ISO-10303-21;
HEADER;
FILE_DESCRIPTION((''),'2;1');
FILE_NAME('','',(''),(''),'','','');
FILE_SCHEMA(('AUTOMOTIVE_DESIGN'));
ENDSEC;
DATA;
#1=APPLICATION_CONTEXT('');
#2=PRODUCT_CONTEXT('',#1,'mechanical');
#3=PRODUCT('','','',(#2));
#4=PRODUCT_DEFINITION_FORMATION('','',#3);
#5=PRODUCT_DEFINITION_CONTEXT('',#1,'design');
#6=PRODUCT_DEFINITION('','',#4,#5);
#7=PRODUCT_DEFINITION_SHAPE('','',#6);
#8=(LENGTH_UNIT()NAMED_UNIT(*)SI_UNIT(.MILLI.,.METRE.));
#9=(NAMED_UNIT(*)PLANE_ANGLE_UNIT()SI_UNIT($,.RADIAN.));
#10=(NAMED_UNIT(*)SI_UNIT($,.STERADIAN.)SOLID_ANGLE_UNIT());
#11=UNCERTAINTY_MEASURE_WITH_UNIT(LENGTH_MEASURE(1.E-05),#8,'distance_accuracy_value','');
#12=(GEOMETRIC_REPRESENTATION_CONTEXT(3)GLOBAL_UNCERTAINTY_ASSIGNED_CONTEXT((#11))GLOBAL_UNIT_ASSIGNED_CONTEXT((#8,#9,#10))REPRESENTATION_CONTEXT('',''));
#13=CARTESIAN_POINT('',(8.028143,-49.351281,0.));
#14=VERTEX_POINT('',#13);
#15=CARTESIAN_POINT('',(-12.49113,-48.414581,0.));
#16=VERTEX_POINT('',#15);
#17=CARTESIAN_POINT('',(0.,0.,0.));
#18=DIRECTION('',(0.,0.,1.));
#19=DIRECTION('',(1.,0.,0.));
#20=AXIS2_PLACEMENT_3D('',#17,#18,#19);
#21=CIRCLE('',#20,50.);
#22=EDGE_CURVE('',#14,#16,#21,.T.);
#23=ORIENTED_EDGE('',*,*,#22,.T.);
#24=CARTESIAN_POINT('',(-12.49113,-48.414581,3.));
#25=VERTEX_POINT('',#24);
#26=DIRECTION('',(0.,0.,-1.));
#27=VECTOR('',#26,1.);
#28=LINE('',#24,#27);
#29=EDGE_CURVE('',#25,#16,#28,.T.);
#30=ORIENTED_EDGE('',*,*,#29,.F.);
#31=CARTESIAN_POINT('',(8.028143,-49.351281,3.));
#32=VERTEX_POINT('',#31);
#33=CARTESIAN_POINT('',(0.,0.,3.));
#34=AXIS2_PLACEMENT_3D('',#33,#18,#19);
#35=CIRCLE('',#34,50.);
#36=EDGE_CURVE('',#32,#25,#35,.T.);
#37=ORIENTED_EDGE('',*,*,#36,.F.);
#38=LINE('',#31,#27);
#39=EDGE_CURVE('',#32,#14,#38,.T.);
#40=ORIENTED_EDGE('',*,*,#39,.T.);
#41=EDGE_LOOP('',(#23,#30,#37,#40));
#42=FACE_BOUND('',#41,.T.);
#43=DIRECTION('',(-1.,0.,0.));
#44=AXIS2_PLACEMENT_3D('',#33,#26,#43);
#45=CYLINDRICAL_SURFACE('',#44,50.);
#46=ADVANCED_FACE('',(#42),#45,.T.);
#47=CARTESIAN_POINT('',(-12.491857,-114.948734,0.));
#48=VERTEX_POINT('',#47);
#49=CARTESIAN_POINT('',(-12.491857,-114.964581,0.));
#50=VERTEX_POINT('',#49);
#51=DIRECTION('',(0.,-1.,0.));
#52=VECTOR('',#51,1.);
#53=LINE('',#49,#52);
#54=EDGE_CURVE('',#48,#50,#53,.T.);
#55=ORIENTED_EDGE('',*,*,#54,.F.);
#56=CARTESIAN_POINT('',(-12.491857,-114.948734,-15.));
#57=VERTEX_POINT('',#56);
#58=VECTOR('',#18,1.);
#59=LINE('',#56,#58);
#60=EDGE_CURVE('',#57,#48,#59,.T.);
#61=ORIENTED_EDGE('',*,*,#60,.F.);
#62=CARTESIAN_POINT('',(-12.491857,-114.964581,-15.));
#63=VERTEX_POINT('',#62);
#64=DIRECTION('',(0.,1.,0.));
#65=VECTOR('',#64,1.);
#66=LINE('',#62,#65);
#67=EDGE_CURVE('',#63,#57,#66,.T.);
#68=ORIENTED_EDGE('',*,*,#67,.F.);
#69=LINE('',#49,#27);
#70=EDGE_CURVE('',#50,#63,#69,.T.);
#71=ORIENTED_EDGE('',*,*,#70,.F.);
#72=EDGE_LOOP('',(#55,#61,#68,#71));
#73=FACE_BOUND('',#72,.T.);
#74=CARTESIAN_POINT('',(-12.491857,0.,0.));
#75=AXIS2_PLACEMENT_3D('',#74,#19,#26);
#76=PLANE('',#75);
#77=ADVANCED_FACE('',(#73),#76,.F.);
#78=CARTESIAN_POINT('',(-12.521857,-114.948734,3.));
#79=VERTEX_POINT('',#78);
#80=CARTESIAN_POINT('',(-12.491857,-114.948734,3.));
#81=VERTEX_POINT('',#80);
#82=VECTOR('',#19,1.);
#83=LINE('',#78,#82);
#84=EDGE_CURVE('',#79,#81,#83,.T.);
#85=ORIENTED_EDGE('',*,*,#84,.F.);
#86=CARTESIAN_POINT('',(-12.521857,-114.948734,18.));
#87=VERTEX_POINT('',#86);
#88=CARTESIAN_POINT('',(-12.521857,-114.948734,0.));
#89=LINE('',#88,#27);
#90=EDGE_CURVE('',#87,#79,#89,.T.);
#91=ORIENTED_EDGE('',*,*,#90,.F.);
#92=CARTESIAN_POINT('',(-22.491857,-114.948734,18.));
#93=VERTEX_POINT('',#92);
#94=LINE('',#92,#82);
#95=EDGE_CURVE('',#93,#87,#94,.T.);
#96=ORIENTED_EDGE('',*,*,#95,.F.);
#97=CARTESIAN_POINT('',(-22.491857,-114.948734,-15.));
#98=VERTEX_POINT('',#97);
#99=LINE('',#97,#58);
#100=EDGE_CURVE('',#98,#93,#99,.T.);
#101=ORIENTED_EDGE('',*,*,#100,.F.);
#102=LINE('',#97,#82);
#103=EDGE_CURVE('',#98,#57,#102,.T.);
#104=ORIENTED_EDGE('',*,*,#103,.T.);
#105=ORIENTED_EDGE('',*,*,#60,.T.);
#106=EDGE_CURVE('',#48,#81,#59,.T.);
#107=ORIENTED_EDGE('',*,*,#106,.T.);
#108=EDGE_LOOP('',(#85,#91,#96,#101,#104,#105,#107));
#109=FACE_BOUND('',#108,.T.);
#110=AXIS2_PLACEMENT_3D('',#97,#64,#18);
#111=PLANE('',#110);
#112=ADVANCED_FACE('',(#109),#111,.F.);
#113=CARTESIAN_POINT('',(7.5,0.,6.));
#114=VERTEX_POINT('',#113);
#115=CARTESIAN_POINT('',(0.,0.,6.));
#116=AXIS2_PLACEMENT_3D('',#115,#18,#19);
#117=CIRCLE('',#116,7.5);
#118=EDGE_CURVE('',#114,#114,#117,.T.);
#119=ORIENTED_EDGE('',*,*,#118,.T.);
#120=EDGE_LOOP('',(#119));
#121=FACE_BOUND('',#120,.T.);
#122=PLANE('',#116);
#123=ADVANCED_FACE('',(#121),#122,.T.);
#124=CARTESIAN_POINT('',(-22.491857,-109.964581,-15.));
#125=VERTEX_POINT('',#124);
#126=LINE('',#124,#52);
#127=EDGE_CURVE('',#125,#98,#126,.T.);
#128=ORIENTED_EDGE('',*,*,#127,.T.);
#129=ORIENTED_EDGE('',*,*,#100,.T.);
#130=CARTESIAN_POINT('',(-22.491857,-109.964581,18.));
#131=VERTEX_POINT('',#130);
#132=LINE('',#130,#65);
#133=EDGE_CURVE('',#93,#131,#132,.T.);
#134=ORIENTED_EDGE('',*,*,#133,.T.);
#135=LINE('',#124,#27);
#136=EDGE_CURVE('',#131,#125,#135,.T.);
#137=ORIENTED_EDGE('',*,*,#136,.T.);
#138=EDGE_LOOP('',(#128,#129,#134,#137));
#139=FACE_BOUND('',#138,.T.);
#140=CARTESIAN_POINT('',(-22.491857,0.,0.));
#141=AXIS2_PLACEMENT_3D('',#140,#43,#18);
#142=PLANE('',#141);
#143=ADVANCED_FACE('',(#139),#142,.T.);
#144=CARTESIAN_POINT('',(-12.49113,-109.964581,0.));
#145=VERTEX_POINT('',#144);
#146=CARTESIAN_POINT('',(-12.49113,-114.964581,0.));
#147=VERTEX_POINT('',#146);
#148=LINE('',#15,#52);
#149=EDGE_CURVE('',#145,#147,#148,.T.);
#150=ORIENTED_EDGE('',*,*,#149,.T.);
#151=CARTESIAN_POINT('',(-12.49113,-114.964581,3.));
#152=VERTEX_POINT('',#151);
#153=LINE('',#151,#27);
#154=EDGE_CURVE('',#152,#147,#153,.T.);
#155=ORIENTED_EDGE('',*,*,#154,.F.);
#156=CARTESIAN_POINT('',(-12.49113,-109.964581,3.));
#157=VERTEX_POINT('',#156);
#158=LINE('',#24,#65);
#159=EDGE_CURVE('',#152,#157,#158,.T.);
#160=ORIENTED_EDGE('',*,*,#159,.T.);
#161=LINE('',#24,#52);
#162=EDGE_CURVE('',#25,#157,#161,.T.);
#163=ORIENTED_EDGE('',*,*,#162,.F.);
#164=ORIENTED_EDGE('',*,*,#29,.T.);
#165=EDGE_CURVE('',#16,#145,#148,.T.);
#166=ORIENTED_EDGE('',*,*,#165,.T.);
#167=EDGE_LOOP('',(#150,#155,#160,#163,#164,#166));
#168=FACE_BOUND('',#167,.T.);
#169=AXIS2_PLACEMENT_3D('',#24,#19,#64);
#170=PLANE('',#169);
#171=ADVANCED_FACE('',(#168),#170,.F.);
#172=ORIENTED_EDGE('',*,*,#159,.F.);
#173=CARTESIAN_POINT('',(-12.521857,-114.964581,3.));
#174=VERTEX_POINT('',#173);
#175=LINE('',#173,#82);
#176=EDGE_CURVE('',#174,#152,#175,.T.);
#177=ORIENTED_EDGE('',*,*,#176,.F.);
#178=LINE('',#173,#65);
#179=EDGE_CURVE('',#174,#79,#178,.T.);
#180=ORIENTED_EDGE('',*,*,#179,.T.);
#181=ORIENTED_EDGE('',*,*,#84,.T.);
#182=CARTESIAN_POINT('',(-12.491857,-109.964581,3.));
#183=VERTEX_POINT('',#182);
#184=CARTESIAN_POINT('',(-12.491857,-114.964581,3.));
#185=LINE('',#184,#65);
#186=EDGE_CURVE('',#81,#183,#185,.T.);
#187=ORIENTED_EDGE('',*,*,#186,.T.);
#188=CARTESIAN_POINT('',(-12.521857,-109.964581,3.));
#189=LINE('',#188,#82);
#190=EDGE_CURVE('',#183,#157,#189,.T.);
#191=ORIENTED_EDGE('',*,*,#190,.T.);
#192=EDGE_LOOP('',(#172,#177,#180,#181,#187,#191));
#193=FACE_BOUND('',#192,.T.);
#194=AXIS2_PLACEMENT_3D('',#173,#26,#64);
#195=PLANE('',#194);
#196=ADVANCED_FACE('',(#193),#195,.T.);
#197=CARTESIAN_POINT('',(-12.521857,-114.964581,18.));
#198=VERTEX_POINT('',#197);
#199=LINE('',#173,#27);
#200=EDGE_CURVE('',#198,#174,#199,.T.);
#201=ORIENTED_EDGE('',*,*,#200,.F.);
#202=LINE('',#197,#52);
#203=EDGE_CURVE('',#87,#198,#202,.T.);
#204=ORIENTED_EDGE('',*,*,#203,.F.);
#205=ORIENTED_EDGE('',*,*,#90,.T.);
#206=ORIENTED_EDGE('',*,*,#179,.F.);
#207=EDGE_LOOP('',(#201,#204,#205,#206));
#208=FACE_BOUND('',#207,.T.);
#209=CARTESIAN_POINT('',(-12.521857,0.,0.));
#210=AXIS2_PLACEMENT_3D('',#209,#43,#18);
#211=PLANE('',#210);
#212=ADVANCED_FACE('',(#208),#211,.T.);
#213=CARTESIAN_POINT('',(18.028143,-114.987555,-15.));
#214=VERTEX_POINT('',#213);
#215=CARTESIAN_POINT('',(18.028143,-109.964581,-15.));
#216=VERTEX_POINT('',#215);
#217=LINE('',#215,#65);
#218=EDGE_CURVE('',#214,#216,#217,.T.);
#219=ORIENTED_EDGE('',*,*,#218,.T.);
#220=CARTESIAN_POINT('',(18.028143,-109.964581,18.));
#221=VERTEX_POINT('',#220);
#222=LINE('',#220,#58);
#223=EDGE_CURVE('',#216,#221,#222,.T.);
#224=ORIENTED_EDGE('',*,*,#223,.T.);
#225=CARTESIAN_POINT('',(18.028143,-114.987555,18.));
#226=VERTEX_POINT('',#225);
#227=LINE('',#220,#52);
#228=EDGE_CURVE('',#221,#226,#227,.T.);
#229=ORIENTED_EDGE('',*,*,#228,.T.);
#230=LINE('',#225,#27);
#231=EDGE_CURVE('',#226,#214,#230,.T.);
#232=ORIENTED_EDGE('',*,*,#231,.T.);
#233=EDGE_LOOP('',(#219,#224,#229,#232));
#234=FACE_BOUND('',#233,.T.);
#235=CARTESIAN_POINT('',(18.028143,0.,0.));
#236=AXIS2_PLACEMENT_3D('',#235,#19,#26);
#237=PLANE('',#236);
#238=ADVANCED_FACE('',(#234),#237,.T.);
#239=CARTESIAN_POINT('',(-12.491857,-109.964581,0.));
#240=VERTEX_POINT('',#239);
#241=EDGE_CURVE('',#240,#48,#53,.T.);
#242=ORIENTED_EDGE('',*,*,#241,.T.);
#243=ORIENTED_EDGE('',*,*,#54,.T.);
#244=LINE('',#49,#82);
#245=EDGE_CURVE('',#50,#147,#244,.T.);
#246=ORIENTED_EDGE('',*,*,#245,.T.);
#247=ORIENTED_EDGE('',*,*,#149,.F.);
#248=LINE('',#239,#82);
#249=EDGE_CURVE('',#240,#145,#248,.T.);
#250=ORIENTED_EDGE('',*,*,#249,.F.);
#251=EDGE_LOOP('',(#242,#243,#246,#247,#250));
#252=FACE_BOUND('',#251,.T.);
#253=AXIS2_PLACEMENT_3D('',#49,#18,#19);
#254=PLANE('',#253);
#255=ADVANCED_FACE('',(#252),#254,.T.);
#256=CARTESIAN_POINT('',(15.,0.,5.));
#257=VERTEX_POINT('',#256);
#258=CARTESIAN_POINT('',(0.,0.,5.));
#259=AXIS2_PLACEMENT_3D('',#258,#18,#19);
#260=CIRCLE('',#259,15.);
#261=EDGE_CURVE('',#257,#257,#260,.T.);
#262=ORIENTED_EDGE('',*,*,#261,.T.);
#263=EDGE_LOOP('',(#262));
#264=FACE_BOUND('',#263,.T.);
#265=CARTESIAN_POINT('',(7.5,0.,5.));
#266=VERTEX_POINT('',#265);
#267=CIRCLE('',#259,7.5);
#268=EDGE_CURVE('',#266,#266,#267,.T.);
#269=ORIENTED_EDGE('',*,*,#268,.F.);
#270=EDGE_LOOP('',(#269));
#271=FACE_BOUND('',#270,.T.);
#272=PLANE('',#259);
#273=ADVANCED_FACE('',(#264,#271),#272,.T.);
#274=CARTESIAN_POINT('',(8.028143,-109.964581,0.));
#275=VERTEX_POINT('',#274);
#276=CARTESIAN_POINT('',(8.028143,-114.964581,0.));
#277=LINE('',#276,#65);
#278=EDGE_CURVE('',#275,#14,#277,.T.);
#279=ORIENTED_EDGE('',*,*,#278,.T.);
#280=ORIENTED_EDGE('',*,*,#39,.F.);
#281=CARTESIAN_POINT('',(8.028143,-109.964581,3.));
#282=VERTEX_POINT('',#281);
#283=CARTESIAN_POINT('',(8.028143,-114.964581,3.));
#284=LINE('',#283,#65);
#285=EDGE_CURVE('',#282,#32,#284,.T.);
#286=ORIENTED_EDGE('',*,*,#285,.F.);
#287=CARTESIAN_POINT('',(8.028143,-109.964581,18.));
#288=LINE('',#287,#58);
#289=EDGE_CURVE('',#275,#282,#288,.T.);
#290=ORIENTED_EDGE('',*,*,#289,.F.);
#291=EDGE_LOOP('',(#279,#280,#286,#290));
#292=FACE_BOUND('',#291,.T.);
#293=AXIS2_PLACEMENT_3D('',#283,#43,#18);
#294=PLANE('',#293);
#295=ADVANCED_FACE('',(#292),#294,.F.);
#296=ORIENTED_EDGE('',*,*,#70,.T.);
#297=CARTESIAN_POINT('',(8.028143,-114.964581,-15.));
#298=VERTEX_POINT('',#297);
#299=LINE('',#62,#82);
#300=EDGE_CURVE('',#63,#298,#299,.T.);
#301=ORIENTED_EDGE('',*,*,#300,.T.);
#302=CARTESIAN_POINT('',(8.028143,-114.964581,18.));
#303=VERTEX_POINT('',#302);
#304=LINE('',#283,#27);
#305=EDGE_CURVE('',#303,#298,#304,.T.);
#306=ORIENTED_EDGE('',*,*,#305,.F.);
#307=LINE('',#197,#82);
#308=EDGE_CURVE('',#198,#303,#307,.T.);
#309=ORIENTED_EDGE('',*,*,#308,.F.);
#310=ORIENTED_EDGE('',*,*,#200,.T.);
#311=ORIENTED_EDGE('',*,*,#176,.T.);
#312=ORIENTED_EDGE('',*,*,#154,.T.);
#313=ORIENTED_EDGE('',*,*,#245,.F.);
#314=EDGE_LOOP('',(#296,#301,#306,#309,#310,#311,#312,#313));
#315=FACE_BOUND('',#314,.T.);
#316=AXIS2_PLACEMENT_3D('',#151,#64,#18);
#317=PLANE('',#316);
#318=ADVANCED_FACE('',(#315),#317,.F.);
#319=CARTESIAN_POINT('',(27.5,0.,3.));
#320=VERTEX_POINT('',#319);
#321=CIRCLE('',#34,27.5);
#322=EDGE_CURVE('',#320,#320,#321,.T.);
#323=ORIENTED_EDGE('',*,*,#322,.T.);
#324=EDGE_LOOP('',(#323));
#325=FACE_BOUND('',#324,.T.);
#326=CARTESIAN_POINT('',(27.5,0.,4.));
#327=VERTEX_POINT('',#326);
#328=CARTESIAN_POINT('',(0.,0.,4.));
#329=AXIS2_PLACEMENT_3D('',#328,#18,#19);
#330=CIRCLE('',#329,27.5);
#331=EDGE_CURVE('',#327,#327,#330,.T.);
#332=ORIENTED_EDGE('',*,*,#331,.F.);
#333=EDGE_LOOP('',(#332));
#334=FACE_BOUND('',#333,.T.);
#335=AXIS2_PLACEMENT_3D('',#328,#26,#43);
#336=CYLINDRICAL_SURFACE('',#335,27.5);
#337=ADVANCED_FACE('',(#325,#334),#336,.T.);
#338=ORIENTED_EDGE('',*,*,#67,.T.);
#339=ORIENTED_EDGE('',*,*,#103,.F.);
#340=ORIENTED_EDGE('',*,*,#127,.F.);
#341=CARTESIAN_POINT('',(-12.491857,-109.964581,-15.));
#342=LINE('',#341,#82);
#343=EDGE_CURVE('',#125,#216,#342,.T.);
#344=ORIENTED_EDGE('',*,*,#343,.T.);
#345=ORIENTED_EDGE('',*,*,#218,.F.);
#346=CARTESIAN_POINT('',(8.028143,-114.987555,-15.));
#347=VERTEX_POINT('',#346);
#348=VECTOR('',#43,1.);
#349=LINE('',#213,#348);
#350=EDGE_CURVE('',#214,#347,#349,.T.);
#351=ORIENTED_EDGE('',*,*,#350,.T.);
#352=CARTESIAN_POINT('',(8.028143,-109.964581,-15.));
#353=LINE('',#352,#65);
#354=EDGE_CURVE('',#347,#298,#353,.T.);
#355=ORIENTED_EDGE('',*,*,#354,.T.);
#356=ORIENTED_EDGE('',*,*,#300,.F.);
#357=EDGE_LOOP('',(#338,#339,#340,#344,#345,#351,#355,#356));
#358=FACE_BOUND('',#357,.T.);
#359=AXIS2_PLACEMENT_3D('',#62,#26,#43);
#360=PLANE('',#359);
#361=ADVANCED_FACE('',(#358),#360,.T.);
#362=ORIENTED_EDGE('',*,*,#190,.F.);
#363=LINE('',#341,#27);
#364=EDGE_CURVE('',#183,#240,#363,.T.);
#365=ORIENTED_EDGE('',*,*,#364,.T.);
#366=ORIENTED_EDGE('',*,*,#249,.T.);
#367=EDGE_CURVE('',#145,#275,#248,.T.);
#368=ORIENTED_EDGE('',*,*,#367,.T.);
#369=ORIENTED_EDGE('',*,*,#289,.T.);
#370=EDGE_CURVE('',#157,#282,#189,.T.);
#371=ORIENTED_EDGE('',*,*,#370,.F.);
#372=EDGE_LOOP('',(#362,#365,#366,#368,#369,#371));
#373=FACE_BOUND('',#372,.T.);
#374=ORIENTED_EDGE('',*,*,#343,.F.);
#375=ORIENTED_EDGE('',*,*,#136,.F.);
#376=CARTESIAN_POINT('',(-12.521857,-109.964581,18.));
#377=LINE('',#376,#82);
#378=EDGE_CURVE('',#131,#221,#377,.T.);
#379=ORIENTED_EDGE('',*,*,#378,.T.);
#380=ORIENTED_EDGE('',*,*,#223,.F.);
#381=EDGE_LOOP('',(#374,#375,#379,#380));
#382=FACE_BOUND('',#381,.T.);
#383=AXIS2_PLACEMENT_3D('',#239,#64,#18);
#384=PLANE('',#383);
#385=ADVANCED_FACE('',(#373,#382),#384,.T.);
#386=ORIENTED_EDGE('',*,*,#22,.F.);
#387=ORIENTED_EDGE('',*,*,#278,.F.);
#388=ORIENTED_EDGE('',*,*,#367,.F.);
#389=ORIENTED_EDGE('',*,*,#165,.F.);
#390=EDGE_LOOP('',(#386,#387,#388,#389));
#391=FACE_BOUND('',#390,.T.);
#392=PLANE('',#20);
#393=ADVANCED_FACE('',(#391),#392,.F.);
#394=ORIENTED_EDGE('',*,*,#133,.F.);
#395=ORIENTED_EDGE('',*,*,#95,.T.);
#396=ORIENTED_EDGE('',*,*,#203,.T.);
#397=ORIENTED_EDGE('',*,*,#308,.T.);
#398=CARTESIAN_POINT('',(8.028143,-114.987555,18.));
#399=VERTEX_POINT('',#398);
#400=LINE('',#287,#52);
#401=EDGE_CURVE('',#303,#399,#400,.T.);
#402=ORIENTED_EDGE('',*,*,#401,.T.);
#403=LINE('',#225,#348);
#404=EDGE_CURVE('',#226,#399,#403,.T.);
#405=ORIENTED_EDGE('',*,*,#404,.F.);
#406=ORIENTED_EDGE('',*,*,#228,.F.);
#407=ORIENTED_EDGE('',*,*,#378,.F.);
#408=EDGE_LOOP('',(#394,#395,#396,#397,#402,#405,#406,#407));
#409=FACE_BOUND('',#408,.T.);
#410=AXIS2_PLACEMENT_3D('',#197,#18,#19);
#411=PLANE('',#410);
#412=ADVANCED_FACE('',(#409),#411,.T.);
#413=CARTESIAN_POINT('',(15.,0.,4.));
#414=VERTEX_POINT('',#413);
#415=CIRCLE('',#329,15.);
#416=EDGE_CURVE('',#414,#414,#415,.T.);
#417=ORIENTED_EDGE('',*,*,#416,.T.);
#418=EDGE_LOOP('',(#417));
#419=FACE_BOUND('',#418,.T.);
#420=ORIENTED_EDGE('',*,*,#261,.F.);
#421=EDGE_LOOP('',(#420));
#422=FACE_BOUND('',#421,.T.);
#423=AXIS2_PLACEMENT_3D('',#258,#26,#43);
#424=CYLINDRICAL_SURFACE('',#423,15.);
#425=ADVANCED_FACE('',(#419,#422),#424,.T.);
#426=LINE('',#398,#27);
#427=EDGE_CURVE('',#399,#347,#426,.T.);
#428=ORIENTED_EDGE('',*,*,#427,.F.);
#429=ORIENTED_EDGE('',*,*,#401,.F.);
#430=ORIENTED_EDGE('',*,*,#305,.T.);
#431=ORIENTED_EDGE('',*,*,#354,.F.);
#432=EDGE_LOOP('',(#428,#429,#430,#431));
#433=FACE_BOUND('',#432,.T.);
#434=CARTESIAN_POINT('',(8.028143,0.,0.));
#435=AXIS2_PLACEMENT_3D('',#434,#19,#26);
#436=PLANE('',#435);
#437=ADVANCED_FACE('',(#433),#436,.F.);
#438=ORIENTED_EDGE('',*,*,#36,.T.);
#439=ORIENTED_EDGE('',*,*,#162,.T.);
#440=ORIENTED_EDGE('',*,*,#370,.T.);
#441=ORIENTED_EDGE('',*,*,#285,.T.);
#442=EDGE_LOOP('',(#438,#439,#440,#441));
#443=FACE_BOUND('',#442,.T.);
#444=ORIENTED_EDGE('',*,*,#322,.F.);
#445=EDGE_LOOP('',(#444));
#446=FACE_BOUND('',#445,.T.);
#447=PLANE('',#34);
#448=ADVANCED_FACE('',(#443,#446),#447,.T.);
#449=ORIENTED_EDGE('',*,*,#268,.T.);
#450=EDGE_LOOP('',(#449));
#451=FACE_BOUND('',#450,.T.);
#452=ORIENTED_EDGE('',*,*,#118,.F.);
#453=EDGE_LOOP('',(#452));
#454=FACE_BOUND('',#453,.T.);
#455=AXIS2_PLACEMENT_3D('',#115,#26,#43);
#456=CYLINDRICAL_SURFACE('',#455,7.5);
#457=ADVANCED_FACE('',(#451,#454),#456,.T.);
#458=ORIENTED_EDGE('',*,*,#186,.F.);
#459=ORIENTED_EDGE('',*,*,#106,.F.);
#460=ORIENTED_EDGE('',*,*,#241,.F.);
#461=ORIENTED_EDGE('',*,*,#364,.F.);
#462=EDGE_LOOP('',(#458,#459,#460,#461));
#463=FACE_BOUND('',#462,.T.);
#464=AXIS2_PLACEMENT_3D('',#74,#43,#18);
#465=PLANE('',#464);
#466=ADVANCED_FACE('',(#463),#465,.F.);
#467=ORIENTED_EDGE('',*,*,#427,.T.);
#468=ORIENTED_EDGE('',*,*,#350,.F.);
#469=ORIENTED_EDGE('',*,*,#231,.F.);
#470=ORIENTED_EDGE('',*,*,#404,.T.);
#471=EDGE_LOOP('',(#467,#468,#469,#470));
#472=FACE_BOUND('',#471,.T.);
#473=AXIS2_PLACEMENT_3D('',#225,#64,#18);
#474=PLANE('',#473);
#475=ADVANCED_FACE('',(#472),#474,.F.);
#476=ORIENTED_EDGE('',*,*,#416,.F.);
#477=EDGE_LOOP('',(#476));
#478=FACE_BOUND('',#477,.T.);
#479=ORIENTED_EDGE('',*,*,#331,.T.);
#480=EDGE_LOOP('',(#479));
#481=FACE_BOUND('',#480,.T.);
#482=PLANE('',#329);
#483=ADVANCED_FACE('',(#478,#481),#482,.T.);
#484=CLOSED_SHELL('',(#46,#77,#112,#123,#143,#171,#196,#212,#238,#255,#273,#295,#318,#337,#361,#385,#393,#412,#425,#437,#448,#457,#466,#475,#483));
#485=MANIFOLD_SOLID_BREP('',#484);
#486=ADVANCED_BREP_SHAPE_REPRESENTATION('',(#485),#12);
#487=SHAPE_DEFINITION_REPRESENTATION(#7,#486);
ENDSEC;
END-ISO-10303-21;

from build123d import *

# Parameters (mm, degrees)
SKETCH_2_R       = 50
EXTRUDE_1_DEPTH  = 3
SKETCH_3_R       = 27.5
EXTRUDE_2_DEPTH  = 1
SKETCH_4_R       = 15
EXTRUDE_3_DEPTH  = 1
SKETCH_5_R       = 7.5
EXTRUDE_4_DEPTH  = 1
EXTRUDE_5_DEPTH  = 3
SKETCH_16_W      = 15
SKETCH_16_H      = 5
EXTRUDE_7_DEPTH  = 20.52
SKETCH_18_W      = 15
SKETCH_18_H      = 5
EXTRUDE_9_DEPTH  = 20.55
SKETCH_19_W      = 33
SKETCH_19_H      = 5.022974077
EXTRUDE_10_DEPTH = 10
SKETCH_20_W      = 33
SKETCH_20_H      = 4.984152866
EXTRUDE_11_DEPTH = 10


with BuildPart() as part:
    # 草图2 → 凸台-拉伸1 (new body)
    with BuildSketch(Plane.XY):
        Circle(SKETCH_2_R)
    extrude(amount=EXTRUDE_1_DEPTH)

    # 草图3 → 凸台-拉伸2 (add)
    with BuildSketch(Plane.XY.offset(3)):
        Circle(SKETCH_3_R)
    extrude(amount=EXTRUDE_2_DEPTH)

    # 草图4 → 凸台-拉伸3 (add)
    with BuildSketch(Plane.XY.offset(4)):
        Circle(SKETCH_4_R)
    extrude(amount=EXTRUDE_3_DEPTH)

    # 草图5 → 凸台-拉伸4 (add)
    with BuildSketch(Plane.XY.offset(5)):
        Circle(SKETCH_5_R)
    extrude(amount=EXTRUDE_4_DEPTH)

    # 草图6 → 凸台-拉伸5 (add)
    with BuildSketch(Plane.XY):
        with BuildLine():
            Line((-12.491130148, -48.414581147), (-12.491130148, -114.964581147))
            Line((-12.491130148, -114.964581147), (8.028142932, -114.964581147))
            Line((8.028142932, -114.964581147), (8.028142932, -49.351280845))
            ThreePointArc((8.028142932, -49.351280845), (-2.280113003, -49.94798379), (-12.491130148, -48.414581147))
        make_face()
    extrude(amount=EXTRUDE_5_DEPTH)

    # 草图16 → 凸台-拉伸7 (add)
    with BuildSketch(Plane(origin=(8.028142932, 0, 0), x_dir=(0, 0, -1), z_dir=(1, 0, 0))):
        with Locations((7.5, -112.464581147)):
            Rectangle(SKETCH_16_W, SKETCH_16_H)
    extrude(amount=-EXTRUDE_7_DEPTH)

    # 草图18 → 凸台-拉伸9 (add)
    with BuildSketch(Plane(origin=(8.028142932, 0, 0), x_dir=(0, 0, -1), z_dir=(1, 0, 0))):
        with Locations((-10.5, -112.464581147)):
            Rectangle(SKETCH_18_W, SKETCH_18_H)
    extrude(amount=-EXTRUDE_9_DEPTH)

    # 草图19 → 凸台-拉伸10 (add)
    with BuildSketch(Plane(origin=(8.028142932, 0, 0), x_dir=(0, 0, -1), z_dir=(1, 0, 0))):
        with Locations((-1.5, -112.476068185)):
            Rectangle(SKETCH_19_W, SKETCH_19_H)
    extrude(amount=EXTRUDE_10_DEPTH)

    # 草图20 → 凸台-拉伸11 (add)
    with BuildSketch(Plane.ZY.offset(12.491857068)):
        with Locations((1.5, -112.45665758)):
            Rectangle(SKETCH_20_W, SKETCH_20_H)
    extrude(amount=EXTRUDE_11_DEPTH)


solid = part.part
